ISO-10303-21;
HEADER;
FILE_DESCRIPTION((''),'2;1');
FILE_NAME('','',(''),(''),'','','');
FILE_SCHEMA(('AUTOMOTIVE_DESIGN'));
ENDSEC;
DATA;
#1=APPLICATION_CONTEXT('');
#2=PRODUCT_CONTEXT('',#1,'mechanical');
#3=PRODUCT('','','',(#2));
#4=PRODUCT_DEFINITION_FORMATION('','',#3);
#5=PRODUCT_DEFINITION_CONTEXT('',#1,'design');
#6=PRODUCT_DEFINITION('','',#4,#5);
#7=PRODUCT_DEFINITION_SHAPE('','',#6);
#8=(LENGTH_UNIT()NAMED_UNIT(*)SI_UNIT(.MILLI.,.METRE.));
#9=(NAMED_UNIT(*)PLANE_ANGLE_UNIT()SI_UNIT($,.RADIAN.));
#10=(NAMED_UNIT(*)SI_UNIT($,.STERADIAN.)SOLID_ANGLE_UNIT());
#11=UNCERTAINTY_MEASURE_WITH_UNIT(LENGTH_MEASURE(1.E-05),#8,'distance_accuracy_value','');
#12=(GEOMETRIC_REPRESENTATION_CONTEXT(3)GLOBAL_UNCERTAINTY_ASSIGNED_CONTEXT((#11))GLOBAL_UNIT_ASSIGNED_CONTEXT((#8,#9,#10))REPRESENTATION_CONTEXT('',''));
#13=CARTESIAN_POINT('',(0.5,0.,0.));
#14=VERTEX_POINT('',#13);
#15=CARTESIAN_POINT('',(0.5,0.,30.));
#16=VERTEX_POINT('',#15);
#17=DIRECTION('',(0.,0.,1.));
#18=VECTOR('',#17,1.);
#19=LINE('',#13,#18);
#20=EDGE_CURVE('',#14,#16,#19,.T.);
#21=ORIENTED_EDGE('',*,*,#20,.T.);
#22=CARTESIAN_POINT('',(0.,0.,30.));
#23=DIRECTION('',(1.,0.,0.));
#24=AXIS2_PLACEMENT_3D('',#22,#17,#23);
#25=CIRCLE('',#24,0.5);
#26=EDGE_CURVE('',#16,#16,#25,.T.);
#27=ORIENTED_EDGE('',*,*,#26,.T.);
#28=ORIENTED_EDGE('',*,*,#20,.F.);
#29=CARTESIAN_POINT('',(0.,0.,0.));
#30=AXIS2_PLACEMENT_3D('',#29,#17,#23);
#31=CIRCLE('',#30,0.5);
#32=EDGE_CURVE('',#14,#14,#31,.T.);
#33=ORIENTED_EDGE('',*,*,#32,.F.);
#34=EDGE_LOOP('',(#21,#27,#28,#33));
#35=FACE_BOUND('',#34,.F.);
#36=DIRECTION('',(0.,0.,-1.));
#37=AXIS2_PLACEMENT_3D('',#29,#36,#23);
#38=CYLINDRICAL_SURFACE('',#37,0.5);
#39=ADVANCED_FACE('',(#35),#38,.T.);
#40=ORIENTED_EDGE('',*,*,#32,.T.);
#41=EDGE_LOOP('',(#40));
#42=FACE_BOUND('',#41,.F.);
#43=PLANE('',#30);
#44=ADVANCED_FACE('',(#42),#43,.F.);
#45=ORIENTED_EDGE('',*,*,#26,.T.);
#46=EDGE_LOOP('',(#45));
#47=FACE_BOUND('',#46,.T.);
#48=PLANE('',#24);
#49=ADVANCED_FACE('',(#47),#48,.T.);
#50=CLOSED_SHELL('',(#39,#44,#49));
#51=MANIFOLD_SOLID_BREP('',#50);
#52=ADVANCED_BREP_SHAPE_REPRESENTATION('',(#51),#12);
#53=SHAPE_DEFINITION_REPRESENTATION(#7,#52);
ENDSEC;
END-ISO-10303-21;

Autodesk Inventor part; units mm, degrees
ref_plane "YZ Plane" through (0, 0, 0) normal (1, 0, 0) x (0, 1, 0)
ref_plane "XZ Plane" through (0, 0, 0) normal (0, 1, 0) x (-1, 0, 0)
ref_plane "XY Plane" through (0, 0, 0) normal (0, 0, 1) x (1, 0, 0)
sketch "Sketch1" plane through (0, 0, 0) normal (0, 0, 1) x (1, 0, 0)
  line L0 (0, -0.7) -> (0, 0.7) construction
  line L1 (-0.7, 0) -> (0.7, 0) construction
  circle A0 centre (0, 0) radius 0.5
  dimension "d0" = 1
extrude "Extrusion1" add sketch "Sketch1" along normal blind 30
properties part number "igla"
